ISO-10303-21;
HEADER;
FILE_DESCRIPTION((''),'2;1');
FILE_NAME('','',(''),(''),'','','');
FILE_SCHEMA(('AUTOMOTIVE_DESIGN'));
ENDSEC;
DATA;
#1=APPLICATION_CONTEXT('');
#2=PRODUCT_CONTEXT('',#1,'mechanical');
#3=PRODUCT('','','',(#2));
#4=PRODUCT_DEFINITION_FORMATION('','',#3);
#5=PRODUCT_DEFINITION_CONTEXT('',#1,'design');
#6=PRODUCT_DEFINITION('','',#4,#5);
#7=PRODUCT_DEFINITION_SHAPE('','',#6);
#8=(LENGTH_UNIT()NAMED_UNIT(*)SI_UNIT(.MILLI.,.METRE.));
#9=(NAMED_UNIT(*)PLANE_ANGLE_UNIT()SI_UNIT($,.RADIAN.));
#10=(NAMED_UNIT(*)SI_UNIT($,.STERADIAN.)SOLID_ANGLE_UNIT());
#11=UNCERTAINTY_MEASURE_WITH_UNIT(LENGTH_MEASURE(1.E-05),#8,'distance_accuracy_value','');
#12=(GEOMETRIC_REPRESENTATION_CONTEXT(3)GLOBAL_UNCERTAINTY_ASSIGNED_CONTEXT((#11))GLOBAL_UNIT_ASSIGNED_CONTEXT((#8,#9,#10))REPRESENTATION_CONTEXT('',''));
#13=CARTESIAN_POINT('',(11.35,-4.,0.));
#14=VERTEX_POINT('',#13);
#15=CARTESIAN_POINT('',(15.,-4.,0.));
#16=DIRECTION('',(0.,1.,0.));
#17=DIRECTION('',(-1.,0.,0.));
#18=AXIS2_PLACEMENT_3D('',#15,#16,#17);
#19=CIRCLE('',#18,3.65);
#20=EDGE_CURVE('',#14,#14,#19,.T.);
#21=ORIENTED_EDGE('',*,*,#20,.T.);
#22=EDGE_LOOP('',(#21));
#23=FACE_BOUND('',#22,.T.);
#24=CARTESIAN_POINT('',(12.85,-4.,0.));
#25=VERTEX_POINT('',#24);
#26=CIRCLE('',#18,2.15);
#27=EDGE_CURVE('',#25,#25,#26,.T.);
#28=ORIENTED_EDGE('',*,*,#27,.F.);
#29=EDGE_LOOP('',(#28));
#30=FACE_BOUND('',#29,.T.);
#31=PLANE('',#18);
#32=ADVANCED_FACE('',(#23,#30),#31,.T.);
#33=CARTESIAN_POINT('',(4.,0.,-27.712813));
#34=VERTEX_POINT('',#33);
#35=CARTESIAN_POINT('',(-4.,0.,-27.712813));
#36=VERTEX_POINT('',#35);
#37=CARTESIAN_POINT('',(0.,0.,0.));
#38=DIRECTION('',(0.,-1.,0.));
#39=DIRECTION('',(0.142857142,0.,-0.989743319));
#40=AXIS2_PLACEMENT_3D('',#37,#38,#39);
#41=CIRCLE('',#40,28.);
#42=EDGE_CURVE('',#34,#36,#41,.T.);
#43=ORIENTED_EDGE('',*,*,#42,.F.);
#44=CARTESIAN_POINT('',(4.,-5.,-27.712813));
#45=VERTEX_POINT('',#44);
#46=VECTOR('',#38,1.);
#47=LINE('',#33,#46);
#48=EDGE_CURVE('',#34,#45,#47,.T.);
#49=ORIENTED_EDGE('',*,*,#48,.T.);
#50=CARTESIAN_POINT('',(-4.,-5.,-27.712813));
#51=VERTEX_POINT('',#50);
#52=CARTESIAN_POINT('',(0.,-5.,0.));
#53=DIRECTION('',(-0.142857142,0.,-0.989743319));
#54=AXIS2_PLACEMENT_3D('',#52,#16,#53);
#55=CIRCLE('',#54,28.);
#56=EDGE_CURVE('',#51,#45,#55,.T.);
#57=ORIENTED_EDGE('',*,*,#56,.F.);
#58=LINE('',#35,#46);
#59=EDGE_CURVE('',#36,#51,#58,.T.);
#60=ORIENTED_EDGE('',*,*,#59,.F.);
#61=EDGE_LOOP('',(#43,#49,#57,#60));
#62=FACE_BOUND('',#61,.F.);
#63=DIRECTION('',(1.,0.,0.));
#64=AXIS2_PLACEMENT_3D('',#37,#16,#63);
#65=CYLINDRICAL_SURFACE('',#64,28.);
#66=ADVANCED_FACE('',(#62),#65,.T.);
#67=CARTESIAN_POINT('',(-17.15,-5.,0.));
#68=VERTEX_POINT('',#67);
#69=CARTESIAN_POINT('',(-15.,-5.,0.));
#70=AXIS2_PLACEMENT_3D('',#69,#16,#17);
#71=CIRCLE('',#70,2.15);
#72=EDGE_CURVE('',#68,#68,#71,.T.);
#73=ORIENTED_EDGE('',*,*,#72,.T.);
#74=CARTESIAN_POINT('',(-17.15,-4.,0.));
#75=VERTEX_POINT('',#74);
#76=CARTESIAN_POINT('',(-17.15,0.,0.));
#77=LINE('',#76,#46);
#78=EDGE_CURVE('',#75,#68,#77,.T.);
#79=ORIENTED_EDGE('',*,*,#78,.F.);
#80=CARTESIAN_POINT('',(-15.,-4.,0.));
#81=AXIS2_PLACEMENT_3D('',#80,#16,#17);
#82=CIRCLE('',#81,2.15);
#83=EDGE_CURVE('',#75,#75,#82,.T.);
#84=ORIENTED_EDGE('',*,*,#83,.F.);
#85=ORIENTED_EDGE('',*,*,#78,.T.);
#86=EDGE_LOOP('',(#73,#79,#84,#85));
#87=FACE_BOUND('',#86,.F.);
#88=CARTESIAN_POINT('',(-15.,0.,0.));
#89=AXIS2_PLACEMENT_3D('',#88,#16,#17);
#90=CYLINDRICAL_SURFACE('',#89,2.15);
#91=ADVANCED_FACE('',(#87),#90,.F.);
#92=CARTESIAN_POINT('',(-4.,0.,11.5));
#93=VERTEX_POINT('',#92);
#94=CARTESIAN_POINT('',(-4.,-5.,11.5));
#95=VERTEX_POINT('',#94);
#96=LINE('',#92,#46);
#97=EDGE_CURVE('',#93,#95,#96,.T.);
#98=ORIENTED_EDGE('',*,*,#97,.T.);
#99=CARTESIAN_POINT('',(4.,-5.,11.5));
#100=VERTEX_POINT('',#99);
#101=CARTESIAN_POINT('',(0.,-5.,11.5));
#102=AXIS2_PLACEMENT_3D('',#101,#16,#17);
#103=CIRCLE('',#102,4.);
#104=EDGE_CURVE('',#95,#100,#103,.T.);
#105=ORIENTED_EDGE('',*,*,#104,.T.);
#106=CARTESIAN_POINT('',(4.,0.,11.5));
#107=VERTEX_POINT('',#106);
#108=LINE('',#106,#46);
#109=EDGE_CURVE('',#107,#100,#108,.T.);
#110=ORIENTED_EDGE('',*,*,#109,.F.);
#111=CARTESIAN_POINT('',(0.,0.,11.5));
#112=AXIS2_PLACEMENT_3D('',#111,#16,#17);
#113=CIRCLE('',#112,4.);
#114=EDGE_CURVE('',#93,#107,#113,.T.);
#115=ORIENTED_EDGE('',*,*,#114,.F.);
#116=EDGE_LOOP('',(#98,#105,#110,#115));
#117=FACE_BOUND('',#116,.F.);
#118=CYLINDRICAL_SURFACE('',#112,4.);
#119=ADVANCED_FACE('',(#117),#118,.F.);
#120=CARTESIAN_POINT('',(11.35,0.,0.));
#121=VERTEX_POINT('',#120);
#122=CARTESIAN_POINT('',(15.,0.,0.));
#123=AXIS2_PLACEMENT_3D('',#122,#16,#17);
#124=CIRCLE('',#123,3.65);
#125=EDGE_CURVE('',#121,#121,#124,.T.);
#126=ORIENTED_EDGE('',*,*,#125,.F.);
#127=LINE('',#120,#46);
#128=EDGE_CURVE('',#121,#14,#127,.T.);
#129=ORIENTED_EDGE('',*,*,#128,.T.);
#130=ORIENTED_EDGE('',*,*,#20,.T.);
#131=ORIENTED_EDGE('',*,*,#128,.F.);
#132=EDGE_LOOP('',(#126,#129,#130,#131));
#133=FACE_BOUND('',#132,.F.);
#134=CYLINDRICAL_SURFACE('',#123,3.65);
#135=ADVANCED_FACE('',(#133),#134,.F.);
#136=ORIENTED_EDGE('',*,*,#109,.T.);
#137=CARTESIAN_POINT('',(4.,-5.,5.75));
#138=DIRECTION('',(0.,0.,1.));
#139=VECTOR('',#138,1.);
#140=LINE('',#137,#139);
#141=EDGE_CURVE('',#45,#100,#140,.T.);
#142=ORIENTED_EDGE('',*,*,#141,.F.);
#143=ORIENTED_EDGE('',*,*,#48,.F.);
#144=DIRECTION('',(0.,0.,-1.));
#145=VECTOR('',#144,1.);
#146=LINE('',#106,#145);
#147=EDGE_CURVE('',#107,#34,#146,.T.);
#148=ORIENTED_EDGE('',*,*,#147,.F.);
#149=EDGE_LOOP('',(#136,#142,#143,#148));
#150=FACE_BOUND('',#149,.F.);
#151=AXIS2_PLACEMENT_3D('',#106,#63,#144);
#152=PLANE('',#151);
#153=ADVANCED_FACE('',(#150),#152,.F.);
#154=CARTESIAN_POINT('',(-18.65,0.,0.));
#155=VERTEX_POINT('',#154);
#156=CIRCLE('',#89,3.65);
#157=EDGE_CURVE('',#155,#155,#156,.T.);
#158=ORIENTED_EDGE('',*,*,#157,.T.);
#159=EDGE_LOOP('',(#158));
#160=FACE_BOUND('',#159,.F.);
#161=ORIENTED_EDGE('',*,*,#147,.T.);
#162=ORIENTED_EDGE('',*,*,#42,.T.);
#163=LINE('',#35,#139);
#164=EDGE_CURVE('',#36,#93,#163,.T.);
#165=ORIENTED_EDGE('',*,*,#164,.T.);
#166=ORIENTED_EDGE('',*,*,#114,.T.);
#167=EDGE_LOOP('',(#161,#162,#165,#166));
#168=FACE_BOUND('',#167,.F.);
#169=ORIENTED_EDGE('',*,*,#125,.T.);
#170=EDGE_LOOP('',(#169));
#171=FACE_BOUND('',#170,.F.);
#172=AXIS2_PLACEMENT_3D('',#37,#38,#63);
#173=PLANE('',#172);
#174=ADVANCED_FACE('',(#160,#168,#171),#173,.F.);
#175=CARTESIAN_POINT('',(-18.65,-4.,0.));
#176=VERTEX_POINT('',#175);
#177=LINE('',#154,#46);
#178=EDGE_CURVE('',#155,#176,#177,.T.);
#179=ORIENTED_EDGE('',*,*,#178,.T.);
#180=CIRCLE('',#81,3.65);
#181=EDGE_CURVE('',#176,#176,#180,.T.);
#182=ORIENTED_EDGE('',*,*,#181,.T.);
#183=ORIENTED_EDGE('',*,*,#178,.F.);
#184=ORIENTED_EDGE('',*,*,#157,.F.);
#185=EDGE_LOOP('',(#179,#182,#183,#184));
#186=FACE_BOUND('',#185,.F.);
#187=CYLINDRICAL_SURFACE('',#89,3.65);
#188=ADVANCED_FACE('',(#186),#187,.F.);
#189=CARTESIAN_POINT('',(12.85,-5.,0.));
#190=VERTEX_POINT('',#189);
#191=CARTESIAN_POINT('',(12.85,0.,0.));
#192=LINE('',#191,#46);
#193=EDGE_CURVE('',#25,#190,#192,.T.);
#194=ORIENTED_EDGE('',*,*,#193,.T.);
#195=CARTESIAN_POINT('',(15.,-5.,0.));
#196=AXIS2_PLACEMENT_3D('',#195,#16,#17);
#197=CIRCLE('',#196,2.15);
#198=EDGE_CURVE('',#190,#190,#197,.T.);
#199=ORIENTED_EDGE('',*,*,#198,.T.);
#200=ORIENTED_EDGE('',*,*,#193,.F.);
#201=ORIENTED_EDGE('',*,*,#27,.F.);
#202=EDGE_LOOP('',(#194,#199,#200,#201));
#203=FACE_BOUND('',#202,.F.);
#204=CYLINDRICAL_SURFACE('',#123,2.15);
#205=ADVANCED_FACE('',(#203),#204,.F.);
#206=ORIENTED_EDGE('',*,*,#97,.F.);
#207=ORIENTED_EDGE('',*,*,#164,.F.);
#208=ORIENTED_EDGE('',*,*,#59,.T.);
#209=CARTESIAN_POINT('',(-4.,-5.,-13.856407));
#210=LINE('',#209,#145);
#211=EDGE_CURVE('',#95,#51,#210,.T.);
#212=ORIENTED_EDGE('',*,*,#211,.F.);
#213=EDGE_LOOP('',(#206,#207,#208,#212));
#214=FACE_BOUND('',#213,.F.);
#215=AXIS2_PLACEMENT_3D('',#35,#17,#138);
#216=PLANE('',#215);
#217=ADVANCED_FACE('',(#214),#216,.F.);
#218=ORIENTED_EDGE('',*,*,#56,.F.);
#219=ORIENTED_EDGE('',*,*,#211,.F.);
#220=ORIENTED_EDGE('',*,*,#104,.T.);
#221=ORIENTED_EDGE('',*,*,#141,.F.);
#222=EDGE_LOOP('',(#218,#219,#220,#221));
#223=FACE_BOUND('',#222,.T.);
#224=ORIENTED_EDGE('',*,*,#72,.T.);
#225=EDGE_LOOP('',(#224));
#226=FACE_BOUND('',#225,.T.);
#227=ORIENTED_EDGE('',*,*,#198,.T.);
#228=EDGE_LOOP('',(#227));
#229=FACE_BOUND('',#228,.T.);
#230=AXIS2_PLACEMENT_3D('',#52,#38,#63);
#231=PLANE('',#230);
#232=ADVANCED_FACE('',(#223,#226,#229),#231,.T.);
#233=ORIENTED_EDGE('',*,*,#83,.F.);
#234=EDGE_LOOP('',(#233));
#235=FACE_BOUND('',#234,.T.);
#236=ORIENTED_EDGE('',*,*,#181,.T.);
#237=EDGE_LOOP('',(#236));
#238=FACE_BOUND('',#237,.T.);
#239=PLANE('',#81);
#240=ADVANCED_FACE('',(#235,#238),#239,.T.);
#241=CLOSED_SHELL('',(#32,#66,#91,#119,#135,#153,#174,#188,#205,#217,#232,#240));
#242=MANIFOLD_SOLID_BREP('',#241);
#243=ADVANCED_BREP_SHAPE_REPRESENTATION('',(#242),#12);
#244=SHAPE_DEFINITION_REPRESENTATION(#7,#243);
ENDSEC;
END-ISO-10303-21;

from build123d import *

# Parameters (mm, degrees)
F0_R     = 28
F1_DEPTH = 5
F3_DEPTH = 35
F4_R     = 2.15
F5_DEPTH = 25
F6_R     = 3.65
F7_DEPTH = 4


with BuildPart() as f1:
    # F0 (on Front) → F1 (new body)
    with BuildSketch(Plane.XZ):
        Circle(F0_R)
    extrude(amount=F1_DEPTH)

    # F2 (on face) → F3 (cut)
    with BuildSketch(Plane(origin=(0, 0, 0), x_dir=(-1, 0, 0), z_dir=(0, 1, 0))):
        with BuildLine():
            ThreePointArc((4, 11.5), (0, 15.5), (-4, 11.5))
            Line((-4, 11.5), (-4, -27.712813))
            ThreePointArc((-4, -27.712813), (0, -28), (4, -27.712813))
            Line((4, -27.712813), (4, 11.5))
        make_face()
    extrude(amount=-F3_DEPTH, mode=Mode.SUBTRACT)

    # F4 (on face) → F5 (cut)
    with BuildSketch(Plane(origin=(0, 0, 0), x_dir=(-1, 0, 0), z_dir=(0, 1, 0))):
        with Locations((-15, 0)):
            Circle(F4_R)
        with Locations((15, 0)):
            Circle(F4_R)
    extrude(amount=-F5_DEPTH, mode=Mode.SUBTRACT)

    # F6 (on face) → F7 (cut)
    with BuildSketch(Plane(origin=(0, 0, 0), x_dir=(-1, 0, 0), z_dir=(0, 1, 0))):
        with Locations((-15, 0)):
            Circle(F6_R)
        with Locations((15, 0)):
            Circle(F6_R)
    extrude(amount=-F7_DEPTH, mode=Mode.SUBTRACT)


solid = f1.part
